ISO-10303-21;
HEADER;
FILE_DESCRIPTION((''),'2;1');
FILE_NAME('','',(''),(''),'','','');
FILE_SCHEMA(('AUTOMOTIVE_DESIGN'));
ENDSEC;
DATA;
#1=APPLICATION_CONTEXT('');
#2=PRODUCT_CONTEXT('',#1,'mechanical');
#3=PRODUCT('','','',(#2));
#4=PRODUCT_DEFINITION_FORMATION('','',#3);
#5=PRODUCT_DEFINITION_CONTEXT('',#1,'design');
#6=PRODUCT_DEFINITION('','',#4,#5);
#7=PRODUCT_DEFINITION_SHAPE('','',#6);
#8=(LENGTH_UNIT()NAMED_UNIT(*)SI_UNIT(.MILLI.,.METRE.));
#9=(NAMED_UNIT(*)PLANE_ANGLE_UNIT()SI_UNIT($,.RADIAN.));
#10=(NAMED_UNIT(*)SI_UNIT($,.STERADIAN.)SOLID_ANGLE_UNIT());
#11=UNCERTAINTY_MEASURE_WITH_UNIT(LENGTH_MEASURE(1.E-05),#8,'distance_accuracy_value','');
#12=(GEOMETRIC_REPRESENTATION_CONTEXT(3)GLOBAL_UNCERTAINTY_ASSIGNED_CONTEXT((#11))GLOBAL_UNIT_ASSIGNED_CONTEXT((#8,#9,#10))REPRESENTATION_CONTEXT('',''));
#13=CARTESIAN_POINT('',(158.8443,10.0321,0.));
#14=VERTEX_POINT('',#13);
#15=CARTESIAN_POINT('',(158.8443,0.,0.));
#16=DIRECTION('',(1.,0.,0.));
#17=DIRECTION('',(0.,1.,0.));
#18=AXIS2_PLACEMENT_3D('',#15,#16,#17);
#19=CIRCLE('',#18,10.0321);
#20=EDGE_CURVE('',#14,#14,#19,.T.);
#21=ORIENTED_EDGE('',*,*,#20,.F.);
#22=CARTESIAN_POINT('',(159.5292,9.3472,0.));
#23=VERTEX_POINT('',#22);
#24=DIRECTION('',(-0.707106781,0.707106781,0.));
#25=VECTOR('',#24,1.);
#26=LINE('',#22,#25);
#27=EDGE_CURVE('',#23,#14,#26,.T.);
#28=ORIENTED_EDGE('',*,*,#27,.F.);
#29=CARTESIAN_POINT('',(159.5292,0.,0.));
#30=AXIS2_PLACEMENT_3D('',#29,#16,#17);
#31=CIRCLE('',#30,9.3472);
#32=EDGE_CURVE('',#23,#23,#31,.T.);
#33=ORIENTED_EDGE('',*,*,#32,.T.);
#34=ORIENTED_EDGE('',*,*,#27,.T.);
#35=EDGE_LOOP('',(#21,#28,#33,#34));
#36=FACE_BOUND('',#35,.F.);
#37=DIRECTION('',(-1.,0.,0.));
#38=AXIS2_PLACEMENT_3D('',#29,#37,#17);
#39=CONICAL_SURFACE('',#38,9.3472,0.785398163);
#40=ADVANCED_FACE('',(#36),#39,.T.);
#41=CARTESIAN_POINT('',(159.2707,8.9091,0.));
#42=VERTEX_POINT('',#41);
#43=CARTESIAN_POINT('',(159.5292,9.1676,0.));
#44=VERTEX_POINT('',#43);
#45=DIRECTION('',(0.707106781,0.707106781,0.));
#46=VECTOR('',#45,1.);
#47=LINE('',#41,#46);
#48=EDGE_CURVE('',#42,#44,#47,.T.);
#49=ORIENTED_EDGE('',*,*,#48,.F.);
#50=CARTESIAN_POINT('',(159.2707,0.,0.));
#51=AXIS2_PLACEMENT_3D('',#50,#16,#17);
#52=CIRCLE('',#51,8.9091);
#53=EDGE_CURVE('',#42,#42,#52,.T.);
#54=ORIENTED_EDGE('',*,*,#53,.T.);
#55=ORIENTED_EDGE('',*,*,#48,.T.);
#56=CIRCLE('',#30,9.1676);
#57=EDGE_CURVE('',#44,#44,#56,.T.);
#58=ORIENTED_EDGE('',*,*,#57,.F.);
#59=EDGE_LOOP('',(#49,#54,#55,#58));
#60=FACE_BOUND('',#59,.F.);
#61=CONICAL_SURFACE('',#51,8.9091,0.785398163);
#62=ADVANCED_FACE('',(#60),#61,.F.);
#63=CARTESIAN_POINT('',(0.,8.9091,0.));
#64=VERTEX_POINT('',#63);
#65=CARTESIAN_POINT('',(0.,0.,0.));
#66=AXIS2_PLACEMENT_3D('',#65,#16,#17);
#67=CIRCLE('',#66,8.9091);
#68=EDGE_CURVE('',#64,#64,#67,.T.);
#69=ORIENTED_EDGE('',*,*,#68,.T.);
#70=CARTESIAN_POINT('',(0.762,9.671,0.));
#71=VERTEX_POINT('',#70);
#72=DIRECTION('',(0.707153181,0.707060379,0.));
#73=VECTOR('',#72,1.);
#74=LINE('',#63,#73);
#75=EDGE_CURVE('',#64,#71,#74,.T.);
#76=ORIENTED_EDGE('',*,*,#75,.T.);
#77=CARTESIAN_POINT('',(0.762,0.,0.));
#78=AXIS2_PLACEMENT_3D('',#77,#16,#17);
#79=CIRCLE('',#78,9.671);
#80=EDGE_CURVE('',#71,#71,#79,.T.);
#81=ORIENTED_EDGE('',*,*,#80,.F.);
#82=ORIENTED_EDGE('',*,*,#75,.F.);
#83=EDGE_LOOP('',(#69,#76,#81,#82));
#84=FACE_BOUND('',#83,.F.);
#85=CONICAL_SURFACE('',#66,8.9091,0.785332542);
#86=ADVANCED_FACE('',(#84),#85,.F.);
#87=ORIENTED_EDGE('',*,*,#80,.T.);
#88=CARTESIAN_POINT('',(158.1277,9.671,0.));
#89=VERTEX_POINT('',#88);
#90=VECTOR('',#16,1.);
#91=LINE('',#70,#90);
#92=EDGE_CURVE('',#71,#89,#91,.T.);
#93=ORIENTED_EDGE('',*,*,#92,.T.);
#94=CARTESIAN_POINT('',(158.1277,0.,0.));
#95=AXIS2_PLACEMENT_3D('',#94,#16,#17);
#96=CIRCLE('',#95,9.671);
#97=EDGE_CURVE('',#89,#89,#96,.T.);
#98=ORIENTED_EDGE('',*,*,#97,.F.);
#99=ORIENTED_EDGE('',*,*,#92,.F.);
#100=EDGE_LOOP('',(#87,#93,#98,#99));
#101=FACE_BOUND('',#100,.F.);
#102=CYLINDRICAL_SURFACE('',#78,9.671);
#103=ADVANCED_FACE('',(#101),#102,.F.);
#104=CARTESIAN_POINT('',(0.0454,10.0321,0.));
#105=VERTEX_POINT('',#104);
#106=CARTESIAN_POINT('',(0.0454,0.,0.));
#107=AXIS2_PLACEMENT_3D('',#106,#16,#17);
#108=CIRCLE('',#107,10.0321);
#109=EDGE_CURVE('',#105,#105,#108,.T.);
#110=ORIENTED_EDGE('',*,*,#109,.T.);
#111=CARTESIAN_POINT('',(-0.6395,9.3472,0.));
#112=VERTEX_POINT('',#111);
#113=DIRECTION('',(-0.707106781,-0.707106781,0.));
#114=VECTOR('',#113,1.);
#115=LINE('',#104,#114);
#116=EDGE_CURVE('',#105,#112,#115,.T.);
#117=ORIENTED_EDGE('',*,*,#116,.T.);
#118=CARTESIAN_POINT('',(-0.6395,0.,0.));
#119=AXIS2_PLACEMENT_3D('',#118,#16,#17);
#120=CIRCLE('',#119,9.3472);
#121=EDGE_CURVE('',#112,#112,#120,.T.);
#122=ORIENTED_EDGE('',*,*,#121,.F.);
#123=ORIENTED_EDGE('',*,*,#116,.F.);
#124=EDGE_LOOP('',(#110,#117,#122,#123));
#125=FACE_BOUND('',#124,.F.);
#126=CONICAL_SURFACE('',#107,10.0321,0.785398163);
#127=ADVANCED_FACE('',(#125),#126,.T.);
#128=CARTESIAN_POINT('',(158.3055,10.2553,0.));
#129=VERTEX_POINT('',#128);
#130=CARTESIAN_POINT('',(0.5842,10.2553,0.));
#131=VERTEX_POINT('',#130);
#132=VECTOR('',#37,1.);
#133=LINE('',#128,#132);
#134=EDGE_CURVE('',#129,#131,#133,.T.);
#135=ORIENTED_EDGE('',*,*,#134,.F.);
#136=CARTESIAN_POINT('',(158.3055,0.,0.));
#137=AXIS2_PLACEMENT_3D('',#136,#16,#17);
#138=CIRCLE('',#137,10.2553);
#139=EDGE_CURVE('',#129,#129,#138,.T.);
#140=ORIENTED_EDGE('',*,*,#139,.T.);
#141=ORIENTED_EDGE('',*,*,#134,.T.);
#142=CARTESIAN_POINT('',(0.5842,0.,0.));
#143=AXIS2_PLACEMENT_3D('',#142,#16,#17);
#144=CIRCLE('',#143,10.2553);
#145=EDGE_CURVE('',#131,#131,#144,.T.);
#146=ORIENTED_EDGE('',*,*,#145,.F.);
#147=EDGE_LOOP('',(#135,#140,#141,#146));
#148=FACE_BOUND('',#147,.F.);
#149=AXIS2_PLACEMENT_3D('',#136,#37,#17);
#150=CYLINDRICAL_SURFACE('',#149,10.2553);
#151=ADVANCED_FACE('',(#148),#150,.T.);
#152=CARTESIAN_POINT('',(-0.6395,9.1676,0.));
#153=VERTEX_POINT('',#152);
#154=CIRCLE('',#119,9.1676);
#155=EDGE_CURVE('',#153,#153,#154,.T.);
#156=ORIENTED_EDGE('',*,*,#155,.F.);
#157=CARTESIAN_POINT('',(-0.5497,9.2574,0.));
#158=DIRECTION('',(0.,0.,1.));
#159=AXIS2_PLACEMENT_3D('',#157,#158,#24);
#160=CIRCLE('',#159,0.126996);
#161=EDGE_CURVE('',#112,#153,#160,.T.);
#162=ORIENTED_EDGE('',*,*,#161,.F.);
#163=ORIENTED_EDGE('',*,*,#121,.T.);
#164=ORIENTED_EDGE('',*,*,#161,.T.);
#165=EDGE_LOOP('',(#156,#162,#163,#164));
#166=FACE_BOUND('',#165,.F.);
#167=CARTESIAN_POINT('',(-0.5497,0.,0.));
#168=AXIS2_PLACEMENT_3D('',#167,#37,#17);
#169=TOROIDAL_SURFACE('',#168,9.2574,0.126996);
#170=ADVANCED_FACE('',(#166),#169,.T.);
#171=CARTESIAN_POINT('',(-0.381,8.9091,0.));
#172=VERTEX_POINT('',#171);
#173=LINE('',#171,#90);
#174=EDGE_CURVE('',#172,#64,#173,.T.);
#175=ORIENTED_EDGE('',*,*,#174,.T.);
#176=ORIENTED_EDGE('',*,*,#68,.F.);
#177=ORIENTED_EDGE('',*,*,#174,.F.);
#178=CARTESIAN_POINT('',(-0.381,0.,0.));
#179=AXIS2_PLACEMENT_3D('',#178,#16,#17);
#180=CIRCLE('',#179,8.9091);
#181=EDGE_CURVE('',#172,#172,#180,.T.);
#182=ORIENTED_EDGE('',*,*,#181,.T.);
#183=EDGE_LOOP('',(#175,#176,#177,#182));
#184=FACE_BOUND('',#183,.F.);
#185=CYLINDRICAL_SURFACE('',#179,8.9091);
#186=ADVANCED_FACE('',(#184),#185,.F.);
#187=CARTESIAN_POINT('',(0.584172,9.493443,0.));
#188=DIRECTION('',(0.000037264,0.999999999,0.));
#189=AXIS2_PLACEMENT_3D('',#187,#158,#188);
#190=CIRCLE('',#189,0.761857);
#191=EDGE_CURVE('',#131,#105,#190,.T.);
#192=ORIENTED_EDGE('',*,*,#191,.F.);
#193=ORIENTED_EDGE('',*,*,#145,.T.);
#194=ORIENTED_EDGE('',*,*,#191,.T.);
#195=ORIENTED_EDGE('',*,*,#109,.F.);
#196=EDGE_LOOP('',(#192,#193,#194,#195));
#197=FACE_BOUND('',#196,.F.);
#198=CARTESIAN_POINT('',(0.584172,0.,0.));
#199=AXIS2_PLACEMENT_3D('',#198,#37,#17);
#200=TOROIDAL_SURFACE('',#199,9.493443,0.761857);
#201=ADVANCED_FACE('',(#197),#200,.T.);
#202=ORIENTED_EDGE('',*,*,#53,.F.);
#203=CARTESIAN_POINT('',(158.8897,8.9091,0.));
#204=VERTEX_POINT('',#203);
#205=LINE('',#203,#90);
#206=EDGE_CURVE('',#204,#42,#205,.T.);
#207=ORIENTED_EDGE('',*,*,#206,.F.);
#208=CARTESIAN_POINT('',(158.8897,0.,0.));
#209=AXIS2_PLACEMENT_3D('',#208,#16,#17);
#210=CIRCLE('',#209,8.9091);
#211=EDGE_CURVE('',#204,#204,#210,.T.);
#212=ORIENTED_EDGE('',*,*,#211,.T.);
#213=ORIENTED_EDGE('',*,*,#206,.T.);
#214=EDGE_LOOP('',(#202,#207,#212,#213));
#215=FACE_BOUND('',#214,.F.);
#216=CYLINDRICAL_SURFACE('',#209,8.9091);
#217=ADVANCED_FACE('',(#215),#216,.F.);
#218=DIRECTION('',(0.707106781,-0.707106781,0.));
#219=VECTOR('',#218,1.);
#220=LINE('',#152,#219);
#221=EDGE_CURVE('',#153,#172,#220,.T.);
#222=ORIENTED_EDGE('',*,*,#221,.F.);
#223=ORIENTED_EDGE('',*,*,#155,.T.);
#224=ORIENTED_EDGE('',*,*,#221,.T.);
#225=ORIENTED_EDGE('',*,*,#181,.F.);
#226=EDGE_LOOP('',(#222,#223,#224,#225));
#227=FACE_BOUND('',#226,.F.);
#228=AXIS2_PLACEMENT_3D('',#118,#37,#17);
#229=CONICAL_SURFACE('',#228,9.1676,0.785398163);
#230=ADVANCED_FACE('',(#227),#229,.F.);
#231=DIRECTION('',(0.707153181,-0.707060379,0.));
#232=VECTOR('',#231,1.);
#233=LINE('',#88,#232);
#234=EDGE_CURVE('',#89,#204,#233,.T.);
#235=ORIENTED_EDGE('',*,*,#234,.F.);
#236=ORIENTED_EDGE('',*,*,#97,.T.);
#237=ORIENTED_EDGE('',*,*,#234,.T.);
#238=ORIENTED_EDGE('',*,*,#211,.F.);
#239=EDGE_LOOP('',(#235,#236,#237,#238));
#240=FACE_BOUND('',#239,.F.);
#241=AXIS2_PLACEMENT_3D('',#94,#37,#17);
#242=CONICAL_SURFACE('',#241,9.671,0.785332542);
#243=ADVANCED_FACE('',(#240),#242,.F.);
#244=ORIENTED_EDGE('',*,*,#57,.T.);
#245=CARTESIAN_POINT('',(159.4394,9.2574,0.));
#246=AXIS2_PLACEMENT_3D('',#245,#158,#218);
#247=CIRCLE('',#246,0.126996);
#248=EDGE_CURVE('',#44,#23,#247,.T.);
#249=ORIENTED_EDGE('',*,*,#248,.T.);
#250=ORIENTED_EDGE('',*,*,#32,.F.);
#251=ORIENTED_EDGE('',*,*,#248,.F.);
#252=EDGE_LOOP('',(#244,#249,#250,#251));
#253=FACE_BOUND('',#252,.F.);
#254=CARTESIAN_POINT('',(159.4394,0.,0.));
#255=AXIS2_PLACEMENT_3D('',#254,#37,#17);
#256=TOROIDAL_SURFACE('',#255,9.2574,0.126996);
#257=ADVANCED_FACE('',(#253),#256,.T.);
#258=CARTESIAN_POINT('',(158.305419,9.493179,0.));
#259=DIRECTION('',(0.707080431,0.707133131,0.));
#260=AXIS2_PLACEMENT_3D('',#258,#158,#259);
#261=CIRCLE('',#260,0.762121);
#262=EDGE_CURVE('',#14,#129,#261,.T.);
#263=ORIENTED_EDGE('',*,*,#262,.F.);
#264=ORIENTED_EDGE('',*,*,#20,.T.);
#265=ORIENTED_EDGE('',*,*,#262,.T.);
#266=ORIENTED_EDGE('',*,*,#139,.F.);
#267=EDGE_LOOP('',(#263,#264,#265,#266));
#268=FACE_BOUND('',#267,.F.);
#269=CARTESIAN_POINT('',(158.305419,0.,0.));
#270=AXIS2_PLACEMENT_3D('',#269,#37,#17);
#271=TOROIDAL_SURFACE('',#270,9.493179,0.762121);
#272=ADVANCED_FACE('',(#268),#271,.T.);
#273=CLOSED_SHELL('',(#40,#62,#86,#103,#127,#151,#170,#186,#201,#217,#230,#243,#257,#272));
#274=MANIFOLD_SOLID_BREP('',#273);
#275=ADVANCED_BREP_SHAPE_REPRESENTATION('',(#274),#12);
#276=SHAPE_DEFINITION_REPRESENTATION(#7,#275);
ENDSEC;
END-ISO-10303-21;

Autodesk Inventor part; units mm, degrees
sketch "Sketch_1" plane through (0, 0, 0) normal (0, 0, 1) x (1, 0, 0)
  line L0 (158.8897, 0) -> (0, 0)
  arc A0 (-0.6395, 9.3472) -> (-0.6395, 9.1676) centre (-0.5497, 9.2574) ccw
  line L1 (-0.6395, 9.1676) -> (-0.381, 8.9091)
  line L2 (-0.381, 8.9091) -> (0, 8.9091)
  line L3 (0, 8.9091) -> (0.762, 9.671)
  line L4 (0.762, 9.671) -> (158.1277, 9.671)
  line L5 (158.1277, 9.671) -> (158.8897, 8.9091)
  line L6 (158.8897, 8.9091) -> (159.2707, 8.9091)
  line L7 (159.2707, 8.9091) -> (159.5292, 9.1676)
  arc A1 (159.5292, 9.1676) -> (159.5292, 9.3472) centre (159.4394, 9.2574) ccw
  line L8 (159.5292, 9.3472) -> (158.8443, 10.0321)
  arc A2 (158.8443, 10.0321) -> (158.3055, 10.2553) centre (158.3055, 9.4933) ccw
  line L9 (158.3055, 10.2553) -> (0.5842, 10.2553)
  arc A3 (0.5842, 10.2553) -> (0.0454, 10.0321) centre (0.5842, 9.4933) ccw
  line L10 (0.0454, 10.0321) -> (-0.6395, 9.3472)
revolve "Revolution1" add sketch "Sketch_1" angle 360 about axis through (158.8897, 0, 0) along (1, 0, 0)
ref_plane "cp1_XY" through (79.4449, 10.2553, 0) normal (1, 0, 0) x (0, 0, -1)
ref_plane "cp1_YZ" through (79.4449, 10.2553, 0) normal (0, 0, -1) x (0, 1, 0)
ref_plane "cp1_ZX" through (79.4449, 10.2553, 0) normal (0, 1, 0) x (1, 0, 0)
ref_plane "cp2_XY" through (79.4449, 0, -10.2553) normal (1, 0, 0) x (0, 0, -1)
ref_plane "cp2_YZ" through (79.4449, 0, -10.2553) normal (0, 0, -1) x (0, 1, 0)
ref_plane "cp2_ZX" through (79.4449, 0, -10.2553) normal (0, 1, 0) x (1, 0, 0)
ref_plane "cp3_XY" through (79.4449, -10.2553, 0) normal (1, 0, 0) x (0, 0, -1)
ref_plane "cp3_YZ" through (79.4449, -10.2553, 0) normal (0, 0, -1) x (0, 1, 0)
ref_plane "cp3_ZX" through (79.4449, -10.2553, 0) normal (0, 1, 0) x (1, 0, 0)
ref_plane "cp4_XY" through (79.4449, 0, 10.2553) normal (1, 0, 0) x (0, 0, -1)
ref_plane "cp4_YZ" through (79.4449, 0, 10.2553) normal (0, 0, -1) x (0, 1, 0)
ref_plane "cp4_ZX" through (79.4449, 0, 10.2553) normal (0, 1, 0) x (1, 0, 0)
ref_plane "tube_front_XY" through (0, 0, 0) normal (1, 0, 0) x (0, 0, -1)
ref_plane "tube_front_YZ" through (0, 0, 0) normal (0, 0, -1) x (0, 1, 0)
ref_plane "tube_front_ZX" through (0, 0, 0) normal (0, 1, 0) x (1, 0, 0)
ref_plane "tube_rear_XY" through (158.8897, 0, 0) normal (1, 0, 0) x (0, 0, -1)
ref_plane "tube_rear_YZ" through (158.8897, 0, 0) normal (0, 0, -1) x (0, 1, 0)
ref_plane "tube_rear_ZX" through (158.8897, 0, 0) normal (0, 1, 0) x (1, 0, 0)
properties part number "04R-6.25550C"
